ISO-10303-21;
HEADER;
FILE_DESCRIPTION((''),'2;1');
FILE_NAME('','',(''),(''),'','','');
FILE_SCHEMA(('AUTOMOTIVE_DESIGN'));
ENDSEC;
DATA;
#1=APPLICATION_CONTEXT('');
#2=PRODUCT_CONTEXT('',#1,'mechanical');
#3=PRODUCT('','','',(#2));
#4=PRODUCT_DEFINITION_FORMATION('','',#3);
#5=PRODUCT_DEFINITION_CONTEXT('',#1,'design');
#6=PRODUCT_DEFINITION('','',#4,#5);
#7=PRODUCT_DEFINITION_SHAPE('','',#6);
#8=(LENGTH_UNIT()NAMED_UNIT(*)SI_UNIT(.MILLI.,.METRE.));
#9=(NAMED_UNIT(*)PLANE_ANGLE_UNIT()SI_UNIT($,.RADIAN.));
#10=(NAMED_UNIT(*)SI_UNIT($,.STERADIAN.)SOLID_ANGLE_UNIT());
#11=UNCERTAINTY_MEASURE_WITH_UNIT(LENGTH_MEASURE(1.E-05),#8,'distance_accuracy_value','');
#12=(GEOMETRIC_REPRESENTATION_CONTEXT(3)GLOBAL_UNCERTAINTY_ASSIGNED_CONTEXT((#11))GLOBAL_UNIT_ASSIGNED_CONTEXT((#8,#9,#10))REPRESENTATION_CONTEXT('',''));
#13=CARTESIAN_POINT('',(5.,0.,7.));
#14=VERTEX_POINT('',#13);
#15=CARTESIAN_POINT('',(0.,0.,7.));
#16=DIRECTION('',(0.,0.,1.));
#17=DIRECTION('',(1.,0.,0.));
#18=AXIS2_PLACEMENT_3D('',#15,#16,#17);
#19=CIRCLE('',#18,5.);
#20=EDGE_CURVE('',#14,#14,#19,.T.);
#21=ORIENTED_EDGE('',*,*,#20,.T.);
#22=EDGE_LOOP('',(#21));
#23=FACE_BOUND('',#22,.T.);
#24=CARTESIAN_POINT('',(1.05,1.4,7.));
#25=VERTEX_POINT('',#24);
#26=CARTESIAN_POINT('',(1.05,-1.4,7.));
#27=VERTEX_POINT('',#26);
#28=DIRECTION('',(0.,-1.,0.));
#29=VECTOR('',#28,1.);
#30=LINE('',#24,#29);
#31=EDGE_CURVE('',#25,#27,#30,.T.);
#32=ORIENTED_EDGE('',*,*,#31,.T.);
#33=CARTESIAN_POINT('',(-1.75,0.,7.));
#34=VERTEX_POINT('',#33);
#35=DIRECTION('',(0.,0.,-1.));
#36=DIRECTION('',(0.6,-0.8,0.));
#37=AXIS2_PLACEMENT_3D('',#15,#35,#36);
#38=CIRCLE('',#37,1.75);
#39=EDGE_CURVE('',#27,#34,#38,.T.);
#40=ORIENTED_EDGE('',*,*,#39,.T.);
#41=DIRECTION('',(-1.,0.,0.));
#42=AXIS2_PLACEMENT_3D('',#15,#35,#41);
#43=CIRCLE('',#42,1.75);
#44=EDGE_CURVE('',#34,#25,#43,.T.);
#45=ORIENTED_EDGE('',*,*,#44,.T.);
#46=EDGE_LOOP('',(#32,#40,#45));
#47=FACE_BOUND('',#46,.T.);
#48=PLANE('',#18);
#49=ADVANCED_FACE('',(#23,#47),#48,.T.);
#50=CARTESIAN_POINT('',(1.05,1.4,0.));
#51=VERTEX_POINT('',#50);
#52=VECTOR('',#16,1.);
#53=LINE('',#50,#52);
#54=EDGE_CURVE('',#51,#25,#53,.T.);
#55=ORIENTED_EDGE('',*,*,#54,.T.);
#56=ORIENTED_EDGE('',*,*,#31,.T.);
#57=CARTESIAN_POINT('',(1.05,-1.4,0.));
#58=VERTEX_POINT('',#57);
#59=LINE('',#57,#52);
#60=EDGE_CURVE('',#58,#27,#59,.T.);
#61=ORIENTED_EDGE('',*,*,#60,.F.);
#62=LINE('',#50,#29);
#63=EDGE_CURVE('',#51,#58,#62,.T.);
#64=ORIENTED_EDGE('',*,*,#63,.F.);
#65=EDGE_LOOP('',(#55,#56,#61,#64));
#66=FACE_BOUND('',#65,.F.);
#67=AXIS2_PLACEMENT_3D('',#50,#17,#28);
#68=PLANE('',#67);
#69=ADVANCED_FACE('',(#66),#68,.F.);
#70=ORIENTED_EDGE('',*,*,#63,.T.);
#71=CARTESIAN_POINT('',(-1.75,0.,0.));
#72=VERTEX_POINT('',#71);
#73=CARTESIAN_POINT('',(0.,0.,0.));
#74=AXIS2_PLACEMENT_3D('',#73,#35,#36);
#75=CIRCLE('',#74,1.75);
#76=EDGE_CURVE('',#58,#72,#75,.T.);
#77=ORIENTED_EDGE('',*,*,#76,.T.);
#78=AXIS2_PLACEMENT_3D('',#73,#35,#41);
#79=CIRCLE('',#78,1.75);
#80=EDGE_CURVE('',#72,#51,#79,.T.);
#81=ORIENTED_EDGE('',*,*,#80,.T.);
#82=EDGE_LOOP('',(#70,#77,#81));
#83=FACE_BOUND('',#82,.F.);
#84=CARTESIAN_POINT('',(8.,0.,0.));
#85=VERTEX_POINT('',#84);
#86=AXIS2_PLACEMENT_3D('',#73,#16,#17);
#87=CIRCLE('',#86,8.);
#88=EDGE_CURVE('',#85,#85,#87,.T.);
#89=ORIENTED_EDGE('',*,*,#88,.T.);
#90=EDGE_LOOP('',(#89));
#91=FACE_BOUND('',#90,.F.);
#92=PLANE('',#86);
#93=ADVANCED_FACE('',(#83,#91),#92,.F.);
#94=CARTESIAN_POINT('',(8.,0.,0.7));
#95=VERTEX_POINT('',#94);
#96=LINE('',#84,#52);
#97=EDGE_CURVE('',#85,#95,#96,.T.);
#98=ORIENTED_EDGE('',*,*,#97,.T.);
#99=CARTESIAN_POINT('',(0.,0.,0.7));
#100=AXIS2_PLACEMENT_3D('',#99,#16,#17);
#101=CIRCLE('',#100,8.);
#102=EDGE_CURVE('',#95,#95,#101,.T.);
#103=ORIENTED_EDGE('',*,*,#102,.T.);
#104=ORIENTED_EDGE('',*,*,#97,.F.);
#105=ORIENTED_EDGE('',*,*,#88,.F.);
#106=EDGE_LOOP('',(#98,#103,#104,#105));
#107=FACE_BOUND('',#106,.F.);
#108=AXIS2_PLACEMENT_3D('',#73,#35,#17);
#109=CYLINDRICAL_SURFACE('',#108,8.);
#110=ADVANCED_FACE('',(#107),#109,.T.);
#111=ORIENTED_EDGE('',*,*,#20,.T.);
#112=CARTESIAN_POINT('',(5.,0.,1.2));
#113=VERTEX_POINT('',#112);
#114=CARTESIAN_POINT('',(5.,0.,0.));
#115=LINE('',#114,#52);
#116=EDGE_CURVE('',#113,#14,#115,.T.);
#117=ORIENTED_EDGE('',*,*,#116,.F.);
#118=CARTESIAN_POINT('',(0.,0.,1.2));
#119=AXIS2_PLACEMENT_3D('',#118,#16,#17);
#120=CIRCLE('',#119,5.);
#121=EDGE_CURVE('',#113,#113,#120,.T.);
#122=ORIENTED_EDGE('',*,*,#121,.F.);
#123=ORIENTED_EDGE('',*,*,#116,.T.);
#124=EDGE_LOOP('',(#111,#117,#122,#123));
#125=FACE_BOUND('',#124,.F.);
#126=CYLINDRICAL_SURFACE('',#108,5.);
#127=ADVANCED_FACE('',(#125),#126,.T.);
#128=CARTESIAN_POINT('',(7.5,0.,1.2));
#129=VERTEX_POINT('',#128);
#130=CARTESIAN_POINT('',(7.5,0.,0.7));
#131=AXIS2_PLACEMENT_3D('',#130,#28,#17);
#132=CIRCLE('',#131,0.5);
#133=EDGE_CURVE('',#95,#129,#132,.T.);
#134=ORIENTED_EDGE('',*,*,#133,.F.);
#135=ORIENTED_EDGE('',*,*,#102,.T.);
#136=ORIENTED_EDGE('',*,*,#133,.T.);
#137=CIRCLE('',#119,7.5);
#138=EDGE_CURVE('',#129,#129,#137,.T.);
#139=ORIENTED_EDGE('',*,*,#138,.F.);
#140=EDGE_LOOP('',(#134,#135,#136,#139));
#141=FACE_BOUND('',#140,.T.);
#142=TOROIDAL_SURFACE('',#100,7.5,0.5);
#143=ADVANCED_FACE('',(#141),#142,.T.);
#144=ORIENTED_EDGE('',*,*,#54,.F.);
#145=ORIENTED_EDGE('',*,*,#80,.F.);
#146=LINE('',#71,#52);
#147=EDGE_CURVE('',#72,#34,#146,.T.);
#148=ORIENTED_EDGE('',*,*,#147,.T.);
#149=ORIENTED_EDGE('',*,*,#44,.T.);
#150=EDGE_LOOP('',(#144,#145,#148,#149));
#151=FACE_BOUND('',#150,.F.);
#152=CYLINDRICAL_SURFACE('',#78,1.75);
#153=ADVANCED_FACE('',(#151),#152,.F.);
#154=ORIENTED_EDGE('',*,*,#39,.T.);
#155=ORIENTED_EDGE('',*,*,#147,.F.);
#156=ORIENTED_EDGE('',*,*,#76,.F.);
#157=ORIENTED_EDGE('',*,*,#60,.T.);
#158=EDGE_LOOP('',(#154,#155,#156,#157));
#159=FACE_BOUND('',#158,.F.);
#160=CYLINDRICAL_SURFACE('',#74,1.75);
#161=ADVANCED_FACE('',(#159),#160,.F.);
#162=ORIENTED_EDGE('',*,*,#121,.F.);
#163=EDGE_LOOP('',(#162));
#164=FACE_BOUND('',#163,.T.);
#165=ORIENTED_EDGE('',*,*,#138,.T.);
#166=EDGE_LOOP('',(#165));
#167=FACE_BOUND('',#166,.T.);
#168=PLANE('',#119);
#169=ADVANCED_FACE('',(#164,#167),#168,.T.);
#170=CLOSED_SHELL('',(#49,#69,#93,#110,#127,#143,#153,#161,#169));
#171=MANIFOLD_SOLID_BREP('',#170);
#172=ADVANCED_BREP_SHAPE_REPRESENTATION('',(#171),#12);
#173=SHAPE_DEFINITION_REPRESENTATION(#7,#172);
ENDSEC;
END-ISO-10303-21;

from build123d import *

# Parameters (mm, degrees)
F0_R     = 5
F1_DEPTH = 7
F0_R_2   = 8
F2_DEPTH = 1.2
F3_R     = 0.5


with BuildPart() as f1:
    # F0 (on Top) → F1 (new body)
    with BuildSketch(Plane.XY):
        Circle(F0_R)
        with BuildLine():
            ThreePointArc((1.05, 1.4), (1.5652475842, 0.7826237921), (1.75, 0))
            ThreePointArc((1.75, 0), (1.5652475842, -0.7826237921), (1.05, -1.4))
            ThreePointArc((1.05, -1.4), (-0.7826237921, -1.5652475842), (-1.75, 0))
            ThreePointArc((-1.75, 0), (-0.7826237921, 1.5652475842), (1.05, 1.4))
        make_face(mode=Mode.SUBTRACT)
        with BuildLine():
            ThreePointArc((1.05, -1.4), (1.5652475842, -0.7826237921), (1.75, 0))
            ThreePointArc((1.75, 0), (1.5652475842, 0.7826237921), (1.05, 1.4))
            Line((1.05, 1.4), (1.05, 0))
            Line((1.05, 0), (1.05, -1.4))
        make_face()
    extrude(amount=F1_DEPTH)

    # F0 (on Top) → F2 (join)
    with BuildSketch(Plane.XY):
        Circle(F0_R_2)
        Circle(F0_R, mode=Mode.SUBTRACT)
    extrude(amount=F2_DEPTH)

    # F3
    f3_edges = [f1.edges().sort_by_distance(p)[0] for p in [
        (-8, 0, 1.2),
    ]]
    fillet(f3_edges, radius=F3_R)


solid = f1.part
